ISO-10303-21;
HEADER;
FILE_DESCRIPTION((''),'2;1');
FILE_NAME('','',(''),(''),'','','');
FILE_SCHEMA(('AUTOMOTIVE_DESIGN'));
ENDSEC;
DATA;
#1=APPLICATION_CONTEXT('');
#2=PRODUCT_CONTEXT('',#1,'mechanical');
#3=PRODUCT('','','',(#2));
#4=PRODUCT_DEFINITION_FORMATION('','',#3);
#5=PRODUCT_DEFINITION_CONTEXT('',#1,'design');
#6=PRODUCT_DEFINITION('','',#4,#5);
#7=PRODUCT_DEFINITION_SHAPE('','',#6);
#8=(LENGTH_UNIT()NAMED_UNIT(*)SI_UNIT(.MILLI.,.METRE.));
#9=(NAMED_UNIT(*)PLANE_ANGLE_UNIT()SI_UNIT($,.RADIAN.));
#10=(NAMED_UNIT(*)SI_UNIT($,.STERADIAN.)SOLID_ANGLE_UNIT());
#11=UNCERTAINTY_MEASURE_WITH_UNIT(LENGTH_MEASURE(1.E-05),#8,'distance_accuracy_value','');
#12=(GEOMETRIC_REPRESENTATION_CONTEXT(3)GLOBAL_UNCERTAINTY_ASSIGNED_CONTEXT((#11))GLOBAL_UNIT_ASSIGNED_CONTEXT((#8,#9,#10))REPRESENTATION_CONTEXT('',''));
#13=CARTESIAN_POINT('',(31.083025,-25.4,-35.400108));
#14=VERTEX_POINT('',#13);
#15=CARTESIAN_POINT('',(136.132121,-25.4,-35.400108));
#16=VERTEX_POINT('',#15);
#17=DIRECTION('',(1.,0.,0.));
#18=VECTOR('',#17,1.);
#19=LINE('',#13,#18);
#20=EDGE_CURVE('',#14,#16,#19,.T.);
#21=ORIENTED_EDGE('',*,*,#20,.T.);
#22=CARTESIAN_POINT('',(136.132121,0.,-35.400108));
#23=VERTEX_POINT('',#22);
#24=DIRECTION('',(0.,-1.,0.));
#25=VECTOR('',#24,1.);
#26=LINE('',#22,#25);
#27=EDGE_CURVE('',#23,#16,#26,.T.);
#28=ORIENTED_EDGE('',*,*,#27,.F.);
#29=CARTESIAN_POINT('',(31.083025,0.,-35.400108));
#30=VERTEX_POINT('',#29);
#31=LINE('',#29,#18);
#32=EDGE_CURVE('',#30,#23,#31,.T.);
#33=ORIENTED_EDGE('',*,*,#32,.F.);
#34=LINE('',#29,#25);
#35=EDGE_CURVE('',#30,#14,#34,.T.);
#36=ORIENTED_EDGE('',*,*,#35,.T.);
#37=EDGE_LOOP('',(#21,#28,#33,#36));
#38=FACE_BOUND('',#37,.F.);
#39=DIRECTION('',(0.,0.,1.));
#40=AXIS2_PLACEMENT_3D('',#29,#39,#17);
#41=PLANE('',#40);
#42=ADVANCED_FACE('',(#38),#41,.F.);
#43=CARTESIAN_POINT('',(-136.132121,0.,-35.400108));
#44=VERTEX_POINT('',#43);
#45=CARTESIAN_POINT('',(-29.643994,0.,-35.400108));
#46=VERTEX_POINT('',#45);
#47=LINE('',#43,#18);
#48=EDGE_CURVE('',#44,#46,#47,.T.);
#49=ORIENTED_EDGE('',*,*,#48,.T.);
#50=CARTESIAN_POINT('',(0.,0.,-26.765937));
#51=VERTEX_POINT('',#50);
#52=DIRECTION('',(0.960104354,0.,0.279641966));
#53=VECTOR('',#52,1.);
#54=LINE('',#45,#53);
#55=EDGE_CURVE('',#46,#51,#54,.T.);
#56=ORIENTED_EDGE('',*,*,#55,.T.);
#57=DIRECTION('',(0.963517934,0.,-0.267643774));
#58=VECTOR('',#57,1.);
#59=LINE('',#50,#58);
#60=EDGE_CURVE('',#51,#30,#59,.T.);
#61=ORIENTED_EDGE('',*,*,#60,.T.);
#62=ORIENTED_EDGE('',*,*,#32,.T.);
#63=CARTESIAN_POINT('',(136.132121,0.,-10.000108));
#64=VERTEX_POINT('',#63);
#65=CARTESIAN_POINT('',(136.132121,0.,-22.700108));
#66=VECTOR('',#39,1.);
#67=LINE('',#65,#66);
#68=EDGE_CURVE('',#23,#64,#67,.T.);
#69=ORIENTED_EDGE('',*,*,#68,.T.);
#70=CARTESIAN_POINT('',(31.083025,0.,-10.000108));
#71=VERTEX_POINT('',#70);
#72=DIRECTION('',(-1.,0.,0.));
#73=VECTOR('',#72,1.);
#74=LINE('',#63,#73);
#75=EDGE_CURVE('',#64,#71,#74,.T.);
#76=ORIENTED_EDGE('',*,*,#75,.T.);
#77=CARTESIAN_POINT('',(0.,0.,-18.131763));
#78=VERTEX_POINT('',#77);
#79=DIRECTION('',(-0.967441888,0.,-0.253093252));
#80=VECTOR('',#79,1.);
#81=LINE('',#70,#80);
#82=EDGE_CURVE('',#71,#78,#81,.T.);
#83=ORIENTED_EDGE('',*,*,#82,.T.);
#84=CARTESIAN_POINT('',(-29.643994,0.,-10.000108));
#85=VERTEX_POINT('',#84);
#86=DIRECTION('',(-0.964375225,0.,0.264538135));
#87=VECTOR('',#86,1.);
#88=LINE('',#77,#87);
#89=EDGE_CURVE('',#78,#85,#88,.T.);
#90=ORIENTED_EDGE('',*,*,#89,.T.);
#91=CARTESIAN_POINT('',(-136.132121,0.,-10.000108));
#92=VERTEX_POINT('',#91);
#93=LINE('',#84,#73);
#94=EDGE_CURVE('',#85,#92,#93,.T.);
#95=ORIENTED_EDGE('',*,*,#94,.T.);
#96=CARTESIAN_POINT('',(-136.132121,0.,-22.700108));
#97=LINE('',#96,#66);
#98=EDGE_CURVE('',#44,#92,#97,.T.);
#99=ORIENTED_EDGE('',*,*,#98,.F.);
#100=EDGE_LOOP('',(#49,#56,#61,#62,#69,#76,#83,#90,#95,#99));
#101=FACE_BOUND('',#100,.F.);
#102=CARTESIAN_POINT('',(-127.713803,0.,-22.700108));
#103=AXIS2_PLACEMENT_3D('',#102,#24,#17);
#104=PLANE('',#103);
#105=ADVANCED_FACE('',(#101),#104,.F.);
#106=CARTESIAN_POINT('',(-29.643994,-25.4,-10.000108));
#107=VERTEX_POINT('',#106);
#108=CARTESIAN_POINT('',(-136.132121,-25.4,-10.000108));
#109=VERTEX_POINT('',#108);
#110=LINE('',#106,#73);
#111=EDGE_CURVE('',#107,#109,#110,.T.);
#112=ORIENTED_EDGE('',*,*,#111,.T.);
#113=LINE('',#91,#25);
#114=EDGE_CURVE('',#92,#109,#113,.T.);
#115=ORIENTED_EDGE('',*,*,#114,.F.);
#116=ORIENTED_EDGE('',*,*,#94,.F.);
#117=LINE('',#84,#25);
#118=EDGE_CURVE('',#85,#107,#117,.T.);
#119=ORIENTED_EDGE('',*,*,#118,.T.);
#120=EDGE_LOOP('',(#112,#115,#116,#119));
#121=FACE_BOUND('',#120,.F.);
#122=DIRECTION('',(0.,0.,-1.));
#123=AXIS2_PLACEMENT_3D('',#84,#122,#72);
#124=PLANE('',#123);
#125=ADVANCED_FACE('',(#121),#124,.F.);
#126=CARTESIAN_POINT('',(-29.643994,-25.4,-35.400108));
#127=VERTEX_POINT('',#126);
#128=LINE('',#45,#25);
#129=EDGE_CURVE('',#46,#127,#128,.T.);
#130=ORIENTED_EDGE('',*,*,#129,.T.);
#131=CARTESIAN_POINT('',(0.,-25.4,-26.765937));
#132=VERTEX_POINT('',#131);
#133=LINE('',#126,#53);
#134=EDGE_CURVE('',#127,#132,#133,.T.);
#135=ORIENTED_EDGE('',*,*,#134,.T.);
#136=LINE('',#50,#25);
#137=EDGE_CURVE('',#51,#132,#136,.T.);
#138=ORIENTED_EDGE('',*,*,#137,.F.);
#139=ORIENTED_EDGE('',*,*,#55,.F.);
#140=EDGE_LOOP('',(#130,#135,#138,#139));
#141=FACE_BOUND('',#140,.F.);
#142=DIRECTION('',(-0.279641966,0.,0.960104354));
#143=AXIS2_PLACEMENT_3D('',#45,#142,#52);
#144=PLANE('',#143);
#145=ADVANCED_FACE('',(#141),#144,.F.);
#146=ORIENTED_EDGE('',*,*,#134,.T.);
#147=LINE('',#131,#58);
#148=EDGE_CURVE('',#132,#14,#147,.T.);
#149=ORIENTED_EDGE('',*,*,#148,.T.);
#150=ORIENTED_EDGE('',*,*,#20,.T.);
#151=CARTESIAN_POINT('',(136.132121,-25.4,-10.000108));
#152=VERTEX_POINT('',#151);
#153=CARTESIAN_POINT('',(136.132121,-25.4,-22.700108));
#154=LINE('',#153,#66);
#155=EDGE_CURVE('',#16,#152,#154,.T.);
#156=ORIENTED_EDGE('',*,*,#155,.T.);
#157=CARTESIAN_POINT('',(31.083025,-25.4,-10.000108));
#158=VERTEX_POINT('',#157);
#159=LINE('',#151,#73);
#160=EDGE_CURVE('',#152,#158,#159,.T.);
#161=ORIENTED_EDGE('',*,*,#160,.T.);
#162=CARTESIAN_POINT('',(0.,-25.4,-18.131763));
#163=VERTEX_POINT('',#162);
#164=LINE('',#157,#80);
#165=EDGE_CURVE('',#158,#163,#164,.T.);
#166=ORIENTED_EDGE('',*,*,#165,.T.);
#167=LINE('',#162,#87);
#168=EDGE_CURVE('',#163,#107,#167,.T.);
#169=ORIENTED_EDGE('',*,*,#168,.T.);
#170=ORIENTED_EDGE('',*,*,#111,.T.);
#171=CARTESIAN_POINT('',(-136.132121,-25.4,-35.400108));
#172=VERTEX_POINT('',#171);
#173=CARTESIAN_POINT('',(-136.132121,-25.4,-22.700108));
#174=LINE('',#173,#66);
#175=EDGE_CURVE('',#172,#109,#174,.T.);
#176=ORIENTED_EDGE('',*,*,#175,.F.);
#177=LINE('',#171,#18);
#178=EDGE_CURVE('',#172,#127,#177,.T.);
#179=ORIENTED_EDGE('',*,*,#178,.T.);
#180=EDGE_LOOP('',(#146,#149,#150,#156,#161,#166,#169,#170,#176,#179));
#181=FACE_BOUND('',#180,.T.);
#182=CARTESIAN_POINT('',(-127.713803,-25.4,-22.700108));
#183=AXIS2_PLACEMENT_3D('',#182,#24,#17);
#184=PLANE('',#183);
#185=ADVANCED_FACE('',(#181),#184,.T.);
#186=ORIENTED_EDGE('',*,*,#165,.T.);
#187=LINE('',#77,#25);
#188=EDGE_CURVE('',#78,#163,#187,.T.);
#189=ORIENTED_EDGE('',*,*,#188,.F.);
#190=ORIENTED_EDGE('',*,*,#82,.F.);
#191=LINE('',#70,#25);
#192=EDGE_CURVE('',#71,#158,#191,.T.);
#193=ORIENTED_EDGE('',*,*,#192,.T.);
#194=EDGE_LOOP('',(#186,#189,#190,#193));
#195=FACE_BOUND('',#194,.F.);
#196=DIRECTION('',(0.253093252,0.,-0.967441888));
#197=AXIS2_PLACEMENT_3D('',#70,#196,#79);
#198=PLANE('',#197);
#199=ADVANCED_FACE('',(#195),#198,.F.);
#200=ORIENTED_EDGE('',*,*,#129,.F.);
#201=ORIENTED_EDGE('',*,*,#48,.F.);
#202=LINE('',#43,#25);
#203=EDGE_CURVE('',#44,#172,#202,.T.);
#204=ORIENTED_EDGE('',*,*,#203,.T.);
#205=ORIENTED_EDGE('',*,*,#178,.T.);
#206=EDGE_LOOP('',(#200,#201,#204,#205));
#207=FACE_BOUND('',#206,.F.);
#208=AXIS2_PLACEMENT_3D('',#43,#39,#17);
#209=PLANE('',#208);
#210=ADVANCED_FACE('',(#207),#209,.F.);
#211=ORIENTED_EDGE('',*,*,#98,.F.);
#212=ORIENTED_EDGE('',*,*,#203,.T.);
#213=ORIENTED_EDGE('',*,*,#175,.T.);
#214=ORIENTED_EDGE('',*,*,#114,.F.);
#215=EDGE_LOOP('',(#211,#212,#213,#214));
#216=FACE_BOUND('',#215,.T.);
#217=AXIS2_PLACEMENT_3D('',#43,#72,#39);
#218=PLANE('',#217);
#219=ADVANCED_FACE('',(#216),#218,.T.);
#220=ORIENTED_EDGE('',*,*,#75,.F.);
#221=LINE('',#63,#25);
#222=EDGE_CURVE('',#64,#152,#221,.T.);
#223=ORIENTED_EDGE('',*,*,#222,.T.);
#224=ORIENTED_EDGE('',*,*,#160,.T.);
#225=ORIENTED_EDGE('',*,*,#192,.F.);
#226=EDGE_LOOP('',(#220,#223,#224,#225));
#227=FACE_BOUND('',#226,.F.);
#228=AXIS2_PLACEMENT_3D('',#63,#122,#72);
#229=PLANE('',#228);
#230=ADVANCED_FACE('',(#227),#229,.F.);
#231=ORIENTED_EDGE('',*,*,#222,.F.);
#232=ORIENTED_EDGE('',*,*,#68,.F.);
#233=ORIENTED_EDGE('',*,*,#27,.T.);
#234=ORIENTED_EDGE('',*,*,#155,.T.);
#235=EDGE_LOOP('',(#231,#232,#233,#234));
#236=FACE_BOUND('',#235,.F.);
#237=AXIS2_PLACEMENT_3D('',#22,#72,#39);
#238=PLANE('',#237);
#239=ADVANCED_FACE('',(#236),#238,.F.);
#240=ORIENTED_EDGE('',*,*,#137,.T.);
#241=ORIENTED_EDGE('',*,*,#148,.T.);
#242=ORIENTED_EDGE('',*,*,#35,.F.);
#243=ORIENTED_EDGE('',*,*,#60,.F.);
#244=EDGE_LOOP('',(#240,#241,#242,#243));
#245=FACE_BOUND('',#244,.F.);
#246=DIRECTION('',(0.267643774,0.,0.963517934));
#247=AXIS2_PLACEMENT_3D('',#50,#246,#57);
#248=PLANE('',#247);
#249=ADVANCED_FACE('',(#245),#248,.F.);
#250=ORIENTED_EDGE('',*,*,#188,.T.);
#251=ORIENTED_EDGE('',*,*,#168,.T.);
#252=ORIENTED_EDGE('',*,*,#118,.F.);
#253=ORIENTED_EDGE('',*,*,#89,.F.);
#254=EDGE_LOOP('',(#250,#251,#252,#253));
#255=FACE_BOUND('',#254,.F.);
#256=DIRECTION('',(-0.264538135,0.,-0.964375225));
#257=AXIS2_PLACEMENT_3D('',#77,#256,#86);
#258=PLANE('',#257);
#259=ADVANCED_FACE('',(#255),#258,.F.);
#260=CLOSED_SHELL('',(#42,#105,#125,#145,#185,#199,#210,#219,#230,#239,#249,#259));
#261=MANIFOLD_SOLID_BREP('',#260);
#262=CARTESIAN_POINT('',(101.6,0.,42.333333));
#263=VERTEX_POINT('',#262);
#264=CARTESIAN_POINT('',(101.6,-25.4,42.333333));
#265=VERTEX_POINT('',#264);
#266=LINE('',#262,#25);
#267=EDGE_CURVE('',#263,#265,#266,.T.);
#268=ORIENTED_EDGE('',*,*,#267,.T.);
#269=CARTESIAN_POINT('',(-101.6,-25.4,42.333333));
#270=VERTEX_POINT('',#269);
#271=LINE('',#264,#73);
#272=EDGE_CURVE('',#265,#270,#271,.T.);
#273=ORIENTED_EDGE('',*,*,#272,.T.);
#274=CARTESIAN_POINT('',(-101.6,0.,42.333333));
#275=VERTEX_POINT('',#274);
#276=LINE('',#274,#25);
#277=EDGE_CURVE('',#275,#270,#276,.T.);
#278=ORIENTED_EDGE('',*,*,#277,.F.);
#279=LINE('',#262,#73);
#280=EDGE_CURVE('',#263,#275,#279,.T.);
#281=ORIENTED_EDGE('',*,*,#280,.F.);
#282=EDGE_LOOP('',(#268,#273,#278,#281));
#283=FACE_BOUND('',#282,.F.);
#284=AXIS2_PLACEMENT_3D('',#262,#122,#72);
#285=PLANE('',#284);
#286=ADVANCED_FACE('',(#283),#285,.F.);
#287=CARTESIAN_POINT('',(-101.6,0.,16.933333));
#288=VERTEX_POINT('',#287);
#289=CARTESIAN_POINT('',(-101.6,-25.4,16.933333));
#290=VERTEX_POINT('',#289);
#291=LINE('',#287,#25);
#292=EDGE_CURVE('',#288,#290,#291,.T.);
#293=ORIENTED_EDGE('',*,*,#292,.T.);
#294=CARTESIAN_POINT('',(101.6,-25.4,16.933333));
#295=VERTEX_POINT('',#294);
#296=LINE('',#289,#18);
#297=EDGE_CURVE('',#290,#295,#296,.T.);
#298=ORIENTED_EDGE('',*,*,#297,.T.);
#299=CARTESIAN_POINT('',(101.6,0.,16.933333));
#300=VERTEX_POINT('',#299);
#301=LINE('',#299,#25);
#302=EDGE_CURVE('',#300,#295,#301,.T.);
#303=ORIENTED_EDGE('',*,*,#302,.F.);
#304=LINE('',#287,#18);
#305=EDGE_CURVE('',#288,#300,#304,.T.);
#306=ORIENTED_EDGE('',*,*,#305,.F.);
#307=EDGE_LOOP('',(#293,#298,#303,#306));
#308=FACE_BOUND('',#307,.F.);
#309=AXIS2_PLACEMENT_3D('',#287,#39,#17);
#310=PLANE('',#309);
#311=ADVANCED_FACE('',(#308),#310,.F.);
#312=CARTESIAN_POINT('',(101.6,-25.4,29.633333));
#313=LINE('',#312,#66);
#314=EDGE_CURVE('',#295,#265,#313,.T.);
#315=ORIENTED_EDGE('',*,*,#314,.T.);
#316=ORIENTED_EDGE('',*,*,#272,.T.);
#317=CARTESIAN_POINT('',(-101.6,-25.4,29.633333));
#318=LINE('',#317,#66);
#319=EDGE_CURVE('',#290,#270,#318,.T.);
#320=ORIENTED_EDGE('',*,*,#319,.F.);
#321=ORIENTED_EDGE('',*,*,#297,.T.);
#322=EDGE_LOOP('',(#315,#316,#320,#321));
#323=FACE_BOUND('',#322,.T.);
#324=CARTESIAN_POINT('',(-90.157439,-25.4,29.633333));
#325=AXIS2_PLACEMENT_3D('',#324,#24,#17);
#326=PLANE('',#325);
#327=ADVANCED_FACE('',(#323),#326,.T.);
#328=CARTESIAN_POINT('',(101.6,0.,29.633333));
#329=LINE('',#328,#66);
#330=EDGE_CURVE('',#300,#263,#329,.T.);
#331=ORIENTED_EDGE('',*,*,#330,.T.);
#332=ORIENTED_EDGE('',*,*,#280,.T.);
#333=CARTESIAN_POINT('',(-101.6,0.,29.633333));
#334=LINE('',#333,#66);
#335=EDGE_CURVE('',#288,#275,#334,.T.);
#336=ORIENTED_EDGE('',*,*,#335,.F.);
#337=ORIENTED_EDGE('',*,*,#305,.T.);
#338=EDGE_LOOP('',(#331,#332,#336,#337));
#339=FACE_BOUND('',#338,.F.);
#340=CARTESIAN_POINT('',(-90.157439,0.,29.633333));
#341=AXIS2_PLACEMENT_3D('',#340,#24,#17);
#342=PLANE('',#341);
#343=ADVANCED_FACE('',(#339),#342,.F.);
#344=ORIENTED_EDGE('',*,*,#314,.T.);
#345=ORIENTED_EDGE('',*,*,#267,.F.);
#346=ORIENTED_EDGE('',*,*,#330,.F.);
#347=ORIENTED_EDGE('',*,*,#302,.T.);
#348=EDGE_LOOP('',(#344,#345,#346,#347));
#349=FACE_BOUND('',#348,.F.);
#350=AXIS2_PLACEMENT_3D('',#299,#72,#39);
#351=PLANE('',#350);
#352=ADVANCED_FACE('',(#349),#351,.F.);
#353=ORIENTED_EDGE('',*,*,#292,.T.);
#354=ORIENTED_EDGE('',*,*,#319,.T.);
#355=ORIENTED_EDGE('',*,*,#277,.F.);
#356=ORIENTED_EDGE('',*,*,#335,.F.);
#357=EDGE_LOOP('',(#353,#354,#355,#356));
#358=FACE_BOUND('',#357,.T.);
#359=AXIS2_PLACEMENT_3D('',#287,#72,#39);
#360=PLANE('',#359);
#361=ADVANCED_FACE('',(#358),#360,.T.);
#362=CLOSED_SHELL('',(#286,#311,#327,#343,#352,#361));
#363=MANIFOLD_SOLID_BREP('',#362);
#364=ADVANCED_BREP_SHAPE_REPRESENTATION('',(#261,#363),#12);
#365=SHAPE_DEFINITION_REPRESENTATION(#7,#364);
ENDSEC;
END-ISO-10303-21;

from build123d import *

# Parameters (mm, degrees)
F0_W     = 22.885122633
F0_H     = 25.4
F0_W_2   = 155.7029187679
F0_W_3   = 24.6119585991
F1_DEPTH = 25.4
F0_W_4   = 16.8366357684
F0_W_5   = 18.5634717345


with BuildPart() as f1:
    # F0 (on Front) → F1 (new body)
    with BuildSketch(Plane.XZ):
        with Locations((-90.1574386835, 29.6333333333)):
            Rectangle(F0_W, F0_H)
        with Locations((-0.8634179831, 29.6333333333)):
            Rectangle(F0_W_2, F0_H)
        with Locations((89.2940207005, 29.6333333333)):
            Rectangle(F0_W_3, F0_H)
    extrude(amount=F1_DEPTH)


with BuildPart() as f1b:
    # F0 (on Front) → F1, piece 2 (new body)
    with BuildSketch(Plane.XZ):
        with Locations((-127.7138032019, -22.7001075029)):
            Rectangle(F0_W_4, F0_H)
        Polygon((-119.2954853177, -10.0001075029), (-119.2954853177, -35.4001075029), (-29.6439938247, -35.4001075029), (0, -26.7659369856), (31.0830250382, -35.4001075029), (117.5686493516, -35.4001075029), (117.5686493516, -10.0001075029), (31.0830250382, -10.0001075029), (0, -18.131762743), (-29.6439938247, -10.0001075029), align=None)
        with Locations((126.8503852189, -22.7001075029)):
            Rectangle(F0_W_5, F0_H)
    extrude(amount=F1_DEPTH)


solid = Compound([f1.part, f1b.part])
